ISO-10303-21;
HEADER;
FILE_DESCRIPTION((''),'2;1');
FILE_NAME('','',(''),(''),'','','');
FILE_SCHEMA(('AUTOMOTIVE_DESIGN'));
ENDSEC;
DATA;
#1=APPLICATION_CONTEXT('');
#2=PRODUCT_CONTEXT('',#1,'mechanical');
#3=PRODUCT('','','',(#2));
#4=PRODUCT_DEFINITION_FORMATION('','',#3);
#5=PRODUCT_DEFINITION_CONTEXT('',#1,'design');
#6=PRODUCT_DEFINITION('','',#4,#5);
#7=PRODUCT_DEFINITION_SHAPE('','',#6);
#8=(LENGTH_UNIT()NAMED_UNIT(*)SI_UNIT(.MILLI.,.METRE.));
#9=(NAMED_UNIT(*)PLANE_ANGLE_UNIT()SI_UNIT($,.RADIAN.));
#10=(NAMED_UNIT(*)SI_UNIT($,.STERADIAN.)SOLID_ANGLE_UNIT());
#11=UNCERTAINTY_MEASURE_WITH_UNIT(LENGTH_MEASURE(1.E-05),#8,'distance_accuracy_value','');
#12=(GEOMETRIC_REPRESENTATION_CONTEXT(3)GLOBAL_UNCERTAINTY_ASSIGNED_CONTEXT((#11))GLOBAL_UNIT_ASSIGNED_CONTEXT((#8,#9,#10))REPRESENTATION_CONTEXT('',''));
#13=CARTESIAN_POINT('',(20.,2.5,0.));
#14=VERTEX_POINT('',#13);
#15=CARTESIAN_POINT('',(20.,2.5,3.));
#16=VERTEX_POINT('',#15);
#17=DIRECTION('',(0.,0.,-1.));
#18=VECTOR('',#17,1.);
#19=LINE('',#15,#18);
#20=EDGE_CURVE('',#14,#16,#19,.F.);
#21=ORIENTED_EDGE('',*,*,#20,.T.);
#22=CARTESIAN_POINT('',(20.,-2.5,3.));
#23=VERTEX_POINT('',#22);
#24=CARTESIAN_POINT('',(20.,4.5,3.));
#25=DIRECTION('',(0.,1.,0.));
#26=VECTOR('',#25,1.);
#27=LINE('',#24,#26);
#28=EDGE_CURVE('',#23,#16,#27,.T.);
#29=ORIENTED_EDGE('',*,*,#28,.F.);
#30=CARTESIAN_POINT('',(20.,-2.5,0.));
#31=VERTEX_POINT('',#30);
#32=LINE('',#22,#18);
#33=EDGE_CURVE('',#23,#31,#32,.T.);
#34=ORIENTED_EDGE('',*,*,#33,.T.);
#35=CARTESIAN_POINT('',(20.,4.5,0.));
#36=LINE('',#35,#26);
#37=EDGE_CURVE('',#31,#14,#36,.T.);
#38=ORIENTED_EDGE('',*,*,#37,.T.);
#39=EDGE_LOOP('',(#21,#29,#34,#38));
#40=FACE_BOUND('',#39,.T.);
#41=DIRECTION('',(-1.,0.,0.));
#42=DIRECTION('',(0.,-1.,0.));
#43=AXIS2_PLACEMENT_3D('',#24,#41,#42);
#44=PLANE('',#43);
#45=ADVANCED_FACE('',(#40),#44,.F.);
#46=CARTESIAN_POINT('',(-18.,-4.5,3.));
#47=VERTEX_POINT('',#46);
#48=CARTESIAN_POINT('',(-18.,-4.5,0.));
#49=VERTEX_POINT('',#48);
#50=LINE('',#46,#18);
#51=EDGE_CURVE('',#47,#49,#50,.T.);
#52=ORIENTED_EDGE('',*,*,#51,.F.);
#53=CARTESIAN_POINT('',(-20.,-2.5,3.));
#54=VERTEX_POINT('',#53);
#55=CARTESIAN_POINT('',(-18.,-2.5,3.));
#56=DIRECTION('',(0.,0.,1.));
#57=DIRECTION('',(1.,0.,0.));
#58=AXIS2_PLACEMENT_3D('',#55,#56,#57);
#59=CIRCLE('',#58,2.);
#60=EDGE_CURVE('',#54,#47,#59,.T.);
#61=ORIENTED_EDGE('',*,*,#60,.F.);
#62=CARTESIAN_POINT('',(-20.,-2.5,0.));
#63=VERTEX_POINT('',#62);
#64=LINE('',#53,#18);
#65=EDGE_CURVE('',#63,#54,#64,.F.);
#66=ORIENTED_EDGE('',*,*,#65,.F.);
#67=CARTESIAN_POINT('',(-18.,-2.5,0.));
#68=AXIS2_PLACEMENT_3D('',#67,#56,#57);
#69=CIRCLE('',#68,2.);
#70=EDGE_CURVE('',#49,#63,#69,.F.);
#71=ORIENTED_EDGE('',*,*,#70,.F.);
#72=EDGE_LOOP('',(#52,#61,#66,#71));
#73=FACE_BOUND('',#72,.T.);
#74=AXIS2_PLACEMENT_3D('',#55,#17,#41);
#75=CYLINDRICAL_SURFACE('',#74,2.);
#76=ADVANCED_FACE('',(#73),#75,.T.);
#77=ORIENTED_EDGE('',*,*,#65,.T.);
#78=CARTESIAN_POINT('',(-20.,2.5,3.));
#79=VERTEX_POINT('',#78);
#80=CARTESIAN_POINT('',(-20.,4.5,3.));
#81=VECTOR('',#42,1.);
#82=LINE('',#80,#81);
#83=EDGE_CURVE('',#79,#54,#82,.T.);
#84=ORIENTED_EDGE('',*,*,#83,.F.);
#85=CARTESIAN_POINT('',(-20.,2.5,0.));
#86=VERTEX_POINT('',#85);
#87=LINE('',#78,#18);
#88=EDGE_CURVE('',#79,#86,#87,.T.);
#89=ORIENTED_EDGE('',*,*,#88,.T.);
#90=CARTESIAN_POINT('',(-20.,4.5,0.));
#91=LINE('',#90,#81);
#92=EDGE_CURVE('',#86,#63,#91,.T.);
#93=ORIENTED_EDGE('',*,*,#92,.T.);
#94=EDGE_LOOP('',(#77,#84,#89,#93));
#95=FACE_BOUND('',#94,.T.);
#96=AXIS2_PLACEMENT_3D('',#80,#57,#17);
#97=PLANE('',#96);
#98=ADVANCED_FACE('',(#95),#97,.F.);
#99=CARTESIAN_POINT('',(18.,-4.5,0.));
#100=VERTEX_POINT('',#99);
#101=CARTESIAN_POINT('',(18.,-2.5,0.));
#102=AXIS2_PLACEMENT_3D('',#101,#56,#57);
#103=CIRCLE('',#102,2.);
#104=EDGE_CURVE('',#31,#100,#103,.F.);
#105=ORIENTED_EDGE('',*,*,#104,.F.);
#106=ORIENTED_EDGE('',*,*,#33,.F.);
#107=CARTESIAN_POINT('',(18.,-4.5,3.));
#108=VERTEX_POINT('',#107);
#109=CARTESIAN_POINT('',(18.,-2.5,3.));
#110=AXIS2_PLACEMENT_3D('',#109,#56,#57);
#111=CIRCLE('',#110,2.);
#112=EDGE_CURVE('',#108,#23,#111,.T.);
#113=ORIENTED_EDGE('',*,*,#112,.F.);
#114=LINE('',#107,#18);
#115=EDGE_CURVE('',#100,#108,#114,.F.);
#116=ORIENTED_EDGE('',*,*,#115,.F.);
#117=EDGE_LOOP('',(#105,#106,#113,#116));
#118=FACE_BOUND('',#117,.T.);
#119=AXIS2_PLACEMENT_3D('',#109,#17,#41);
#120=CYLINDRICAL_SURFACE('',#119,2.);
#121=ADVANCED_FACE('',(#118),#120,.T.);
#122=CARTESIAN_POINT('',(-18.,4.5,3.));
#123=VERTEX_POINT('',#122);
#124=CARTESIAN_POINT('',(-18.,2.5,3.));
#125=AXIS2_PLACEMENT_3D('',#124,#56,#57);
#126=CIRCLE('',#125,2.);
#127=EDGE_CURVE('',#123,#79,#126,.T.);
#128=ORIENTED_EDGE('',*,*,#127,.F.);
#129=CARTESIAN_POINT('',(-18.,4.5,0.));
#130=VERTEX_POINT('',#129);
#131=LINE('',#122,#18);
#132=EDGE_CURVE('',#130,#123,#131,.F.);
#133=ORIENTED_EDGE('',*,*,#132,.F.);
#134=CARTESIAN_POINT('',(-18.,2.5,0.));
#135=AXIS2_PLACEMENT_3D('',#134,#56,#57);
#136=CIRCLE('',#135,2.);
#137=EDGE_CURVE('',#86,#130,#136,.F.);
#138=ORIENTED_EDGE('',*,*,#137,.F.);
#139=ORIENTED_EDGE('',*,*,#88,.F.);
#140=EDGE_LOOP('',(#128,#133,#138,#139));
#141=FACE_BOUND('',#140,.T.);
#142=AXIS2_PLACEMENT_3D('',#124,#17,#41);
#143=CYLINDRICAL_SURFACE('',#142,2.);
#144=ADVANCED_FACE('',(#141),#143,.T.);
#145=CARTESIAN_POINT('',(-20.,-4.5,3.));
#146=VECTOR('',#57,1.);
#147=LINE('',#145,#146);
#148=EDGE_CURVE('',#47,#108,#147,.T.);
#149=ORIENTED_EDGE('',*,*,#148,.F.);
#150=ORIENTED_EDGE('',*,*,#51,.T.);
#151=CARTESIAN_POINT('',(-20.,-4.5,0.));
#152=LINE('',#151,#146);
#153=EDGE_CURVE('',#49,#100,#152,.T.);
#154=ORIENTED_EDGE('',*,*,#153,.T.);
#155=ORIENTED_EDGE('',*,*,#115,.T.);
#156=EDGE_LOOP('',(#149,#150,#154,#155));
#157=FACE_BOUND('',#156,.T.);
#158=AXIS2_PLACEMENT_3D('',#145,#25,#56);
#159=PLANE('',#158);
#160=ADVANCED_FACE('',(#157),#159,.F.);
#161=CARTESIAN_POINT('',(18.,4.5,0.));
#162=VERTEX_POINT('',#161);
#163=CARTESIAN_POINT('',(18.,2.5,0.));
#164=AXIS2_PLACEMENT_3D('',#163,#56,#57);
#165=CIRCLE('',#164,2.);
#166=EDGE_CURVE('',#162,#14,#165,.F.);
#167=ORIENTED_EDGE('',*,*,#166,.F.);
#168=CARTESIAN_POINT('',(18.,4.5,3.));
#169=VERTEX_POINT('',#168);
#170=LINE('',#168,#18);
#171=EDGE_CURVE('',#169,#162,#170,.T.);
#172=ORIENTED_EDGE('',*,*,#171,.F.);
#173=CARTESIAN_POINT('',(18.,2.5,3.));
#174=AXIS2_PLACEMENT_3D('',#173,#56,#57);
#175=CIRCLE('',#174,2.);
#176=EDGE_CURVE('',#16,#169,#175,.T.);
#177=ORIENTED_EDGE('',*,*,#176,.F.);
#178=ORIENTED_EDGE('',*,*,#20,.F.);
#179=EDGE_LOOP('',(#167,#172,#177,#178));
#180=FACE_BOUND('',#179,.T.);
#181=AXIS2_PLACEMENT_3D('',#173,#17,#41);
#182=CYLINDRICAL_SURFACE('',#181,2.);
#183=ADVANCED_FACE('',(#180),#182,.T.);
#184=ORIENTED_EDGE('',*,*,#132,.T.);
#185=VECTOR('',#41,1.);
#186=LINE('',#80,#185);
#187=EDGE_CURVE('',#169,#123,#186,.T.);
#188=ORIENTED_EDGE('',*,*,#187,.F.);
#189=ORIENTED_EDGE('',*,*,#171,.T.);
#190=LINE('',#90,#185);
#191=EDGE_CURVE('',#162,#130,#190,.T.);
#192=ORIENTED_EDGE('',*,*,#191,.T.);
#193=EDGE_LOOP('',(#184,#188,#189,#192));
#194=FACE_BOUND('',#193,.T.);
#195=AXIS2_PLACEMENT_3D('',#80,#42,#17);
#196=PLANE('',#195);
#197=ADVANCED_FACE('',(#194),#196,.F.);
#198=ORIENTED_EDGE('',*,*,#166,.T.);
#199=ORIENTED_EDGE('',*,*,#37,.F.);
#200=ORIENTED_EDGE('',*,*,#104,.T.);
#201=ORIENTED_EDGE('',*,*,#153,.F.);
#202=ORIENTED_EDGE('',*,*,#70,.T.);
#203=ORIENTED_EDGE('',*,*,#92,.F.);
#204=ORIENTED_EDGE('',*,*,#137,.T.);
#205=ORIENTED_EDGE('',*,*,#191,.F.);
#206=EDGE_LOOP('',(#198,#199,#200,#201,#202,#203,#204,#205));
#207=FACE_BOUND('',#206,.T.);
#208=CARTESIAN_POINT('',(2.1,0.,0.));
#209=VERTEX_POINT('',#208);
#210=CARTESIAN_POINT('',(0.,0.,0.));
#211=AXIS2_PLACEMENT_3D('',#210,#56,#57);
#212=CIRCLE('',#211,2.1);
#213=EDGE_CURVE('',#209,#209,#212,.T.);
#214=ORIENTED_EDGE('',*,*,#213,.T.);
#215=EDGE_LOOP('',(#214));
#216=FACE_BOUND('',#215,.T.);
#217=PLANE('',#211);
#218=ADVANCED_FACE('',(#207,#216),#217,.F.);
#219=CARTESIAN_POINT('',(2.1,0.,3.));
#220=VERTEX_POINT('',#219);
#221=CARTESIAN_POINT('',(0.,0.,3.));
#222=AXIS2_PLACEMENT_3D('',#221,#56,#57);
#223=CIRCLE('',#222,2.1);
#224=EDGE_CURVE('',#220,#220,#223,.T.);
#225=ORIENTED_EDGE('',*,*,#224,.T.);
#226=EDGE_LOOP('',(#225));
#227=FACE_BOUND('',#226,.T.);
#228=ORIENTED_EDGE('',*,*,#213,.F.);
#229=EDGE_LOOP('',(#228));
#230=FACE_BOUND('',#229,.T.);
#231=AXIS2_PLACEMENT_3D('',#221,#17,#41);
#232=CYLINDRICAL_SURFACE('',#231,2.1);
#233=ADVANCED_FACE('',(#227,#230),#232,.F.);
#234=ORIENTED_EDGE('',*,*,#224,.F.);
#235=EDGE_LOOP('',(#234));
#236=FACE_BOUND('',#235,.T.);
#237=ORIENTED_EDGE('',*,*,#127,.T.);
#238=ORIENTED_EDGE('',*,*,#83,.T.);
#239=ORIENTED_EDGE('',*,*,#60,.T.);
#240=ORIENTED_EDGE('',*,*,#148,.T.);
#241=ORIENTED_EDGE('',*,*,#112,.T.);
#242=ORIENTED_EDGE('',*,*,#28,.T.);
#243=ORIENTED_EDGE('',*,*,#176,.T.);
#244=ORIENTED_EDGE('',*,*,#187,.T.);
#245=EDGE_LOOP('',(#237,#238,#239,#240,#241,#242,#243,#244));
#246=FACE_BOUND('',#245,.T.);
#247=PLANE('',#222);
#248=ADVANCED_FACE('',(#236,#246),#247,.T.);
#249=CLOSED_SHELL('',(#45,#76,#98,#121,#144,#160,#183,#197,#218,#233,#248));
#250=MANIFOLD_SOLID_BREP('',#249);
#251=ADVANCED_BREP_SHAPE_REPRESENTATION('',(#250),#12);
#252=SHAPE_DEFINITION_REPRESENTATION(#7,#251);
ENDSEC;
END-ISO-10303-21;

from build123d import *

# Parameters (mm, degrees)
SKETCH_1_W      = 40
SKETCH_1_H      = 9
SKETCH_1_R      = 2.1
EXTRUDE_1_DEPTH = 3
FILLET_1_R      = 2


with BuildPart() as part:
    # 草图1 → 凸台-拉伸1 (new body)
    with BuildSketch(Plane.XY):
        Rectangle(SKETCH_1_W, SKETCH_1_H)
        Circle(SKETCH_1_R, mode=Mode.SUBTRACT)
    extrude(amount=EXTRUDE_1_DEPTH)

    # 圆角1
    fillet_1_edges = [part.edges().sort_by_distance(p)[0] for p in [
        (-20, 4.5, 1.5),
        (20, 4.5, 1.5),
        (20, -4.5, 1.5),
        (-20, -4.5, 1.5),
    ]]
    fillet(fillet_1_edges, radius=FILLET_1_R)


solid = part.part
